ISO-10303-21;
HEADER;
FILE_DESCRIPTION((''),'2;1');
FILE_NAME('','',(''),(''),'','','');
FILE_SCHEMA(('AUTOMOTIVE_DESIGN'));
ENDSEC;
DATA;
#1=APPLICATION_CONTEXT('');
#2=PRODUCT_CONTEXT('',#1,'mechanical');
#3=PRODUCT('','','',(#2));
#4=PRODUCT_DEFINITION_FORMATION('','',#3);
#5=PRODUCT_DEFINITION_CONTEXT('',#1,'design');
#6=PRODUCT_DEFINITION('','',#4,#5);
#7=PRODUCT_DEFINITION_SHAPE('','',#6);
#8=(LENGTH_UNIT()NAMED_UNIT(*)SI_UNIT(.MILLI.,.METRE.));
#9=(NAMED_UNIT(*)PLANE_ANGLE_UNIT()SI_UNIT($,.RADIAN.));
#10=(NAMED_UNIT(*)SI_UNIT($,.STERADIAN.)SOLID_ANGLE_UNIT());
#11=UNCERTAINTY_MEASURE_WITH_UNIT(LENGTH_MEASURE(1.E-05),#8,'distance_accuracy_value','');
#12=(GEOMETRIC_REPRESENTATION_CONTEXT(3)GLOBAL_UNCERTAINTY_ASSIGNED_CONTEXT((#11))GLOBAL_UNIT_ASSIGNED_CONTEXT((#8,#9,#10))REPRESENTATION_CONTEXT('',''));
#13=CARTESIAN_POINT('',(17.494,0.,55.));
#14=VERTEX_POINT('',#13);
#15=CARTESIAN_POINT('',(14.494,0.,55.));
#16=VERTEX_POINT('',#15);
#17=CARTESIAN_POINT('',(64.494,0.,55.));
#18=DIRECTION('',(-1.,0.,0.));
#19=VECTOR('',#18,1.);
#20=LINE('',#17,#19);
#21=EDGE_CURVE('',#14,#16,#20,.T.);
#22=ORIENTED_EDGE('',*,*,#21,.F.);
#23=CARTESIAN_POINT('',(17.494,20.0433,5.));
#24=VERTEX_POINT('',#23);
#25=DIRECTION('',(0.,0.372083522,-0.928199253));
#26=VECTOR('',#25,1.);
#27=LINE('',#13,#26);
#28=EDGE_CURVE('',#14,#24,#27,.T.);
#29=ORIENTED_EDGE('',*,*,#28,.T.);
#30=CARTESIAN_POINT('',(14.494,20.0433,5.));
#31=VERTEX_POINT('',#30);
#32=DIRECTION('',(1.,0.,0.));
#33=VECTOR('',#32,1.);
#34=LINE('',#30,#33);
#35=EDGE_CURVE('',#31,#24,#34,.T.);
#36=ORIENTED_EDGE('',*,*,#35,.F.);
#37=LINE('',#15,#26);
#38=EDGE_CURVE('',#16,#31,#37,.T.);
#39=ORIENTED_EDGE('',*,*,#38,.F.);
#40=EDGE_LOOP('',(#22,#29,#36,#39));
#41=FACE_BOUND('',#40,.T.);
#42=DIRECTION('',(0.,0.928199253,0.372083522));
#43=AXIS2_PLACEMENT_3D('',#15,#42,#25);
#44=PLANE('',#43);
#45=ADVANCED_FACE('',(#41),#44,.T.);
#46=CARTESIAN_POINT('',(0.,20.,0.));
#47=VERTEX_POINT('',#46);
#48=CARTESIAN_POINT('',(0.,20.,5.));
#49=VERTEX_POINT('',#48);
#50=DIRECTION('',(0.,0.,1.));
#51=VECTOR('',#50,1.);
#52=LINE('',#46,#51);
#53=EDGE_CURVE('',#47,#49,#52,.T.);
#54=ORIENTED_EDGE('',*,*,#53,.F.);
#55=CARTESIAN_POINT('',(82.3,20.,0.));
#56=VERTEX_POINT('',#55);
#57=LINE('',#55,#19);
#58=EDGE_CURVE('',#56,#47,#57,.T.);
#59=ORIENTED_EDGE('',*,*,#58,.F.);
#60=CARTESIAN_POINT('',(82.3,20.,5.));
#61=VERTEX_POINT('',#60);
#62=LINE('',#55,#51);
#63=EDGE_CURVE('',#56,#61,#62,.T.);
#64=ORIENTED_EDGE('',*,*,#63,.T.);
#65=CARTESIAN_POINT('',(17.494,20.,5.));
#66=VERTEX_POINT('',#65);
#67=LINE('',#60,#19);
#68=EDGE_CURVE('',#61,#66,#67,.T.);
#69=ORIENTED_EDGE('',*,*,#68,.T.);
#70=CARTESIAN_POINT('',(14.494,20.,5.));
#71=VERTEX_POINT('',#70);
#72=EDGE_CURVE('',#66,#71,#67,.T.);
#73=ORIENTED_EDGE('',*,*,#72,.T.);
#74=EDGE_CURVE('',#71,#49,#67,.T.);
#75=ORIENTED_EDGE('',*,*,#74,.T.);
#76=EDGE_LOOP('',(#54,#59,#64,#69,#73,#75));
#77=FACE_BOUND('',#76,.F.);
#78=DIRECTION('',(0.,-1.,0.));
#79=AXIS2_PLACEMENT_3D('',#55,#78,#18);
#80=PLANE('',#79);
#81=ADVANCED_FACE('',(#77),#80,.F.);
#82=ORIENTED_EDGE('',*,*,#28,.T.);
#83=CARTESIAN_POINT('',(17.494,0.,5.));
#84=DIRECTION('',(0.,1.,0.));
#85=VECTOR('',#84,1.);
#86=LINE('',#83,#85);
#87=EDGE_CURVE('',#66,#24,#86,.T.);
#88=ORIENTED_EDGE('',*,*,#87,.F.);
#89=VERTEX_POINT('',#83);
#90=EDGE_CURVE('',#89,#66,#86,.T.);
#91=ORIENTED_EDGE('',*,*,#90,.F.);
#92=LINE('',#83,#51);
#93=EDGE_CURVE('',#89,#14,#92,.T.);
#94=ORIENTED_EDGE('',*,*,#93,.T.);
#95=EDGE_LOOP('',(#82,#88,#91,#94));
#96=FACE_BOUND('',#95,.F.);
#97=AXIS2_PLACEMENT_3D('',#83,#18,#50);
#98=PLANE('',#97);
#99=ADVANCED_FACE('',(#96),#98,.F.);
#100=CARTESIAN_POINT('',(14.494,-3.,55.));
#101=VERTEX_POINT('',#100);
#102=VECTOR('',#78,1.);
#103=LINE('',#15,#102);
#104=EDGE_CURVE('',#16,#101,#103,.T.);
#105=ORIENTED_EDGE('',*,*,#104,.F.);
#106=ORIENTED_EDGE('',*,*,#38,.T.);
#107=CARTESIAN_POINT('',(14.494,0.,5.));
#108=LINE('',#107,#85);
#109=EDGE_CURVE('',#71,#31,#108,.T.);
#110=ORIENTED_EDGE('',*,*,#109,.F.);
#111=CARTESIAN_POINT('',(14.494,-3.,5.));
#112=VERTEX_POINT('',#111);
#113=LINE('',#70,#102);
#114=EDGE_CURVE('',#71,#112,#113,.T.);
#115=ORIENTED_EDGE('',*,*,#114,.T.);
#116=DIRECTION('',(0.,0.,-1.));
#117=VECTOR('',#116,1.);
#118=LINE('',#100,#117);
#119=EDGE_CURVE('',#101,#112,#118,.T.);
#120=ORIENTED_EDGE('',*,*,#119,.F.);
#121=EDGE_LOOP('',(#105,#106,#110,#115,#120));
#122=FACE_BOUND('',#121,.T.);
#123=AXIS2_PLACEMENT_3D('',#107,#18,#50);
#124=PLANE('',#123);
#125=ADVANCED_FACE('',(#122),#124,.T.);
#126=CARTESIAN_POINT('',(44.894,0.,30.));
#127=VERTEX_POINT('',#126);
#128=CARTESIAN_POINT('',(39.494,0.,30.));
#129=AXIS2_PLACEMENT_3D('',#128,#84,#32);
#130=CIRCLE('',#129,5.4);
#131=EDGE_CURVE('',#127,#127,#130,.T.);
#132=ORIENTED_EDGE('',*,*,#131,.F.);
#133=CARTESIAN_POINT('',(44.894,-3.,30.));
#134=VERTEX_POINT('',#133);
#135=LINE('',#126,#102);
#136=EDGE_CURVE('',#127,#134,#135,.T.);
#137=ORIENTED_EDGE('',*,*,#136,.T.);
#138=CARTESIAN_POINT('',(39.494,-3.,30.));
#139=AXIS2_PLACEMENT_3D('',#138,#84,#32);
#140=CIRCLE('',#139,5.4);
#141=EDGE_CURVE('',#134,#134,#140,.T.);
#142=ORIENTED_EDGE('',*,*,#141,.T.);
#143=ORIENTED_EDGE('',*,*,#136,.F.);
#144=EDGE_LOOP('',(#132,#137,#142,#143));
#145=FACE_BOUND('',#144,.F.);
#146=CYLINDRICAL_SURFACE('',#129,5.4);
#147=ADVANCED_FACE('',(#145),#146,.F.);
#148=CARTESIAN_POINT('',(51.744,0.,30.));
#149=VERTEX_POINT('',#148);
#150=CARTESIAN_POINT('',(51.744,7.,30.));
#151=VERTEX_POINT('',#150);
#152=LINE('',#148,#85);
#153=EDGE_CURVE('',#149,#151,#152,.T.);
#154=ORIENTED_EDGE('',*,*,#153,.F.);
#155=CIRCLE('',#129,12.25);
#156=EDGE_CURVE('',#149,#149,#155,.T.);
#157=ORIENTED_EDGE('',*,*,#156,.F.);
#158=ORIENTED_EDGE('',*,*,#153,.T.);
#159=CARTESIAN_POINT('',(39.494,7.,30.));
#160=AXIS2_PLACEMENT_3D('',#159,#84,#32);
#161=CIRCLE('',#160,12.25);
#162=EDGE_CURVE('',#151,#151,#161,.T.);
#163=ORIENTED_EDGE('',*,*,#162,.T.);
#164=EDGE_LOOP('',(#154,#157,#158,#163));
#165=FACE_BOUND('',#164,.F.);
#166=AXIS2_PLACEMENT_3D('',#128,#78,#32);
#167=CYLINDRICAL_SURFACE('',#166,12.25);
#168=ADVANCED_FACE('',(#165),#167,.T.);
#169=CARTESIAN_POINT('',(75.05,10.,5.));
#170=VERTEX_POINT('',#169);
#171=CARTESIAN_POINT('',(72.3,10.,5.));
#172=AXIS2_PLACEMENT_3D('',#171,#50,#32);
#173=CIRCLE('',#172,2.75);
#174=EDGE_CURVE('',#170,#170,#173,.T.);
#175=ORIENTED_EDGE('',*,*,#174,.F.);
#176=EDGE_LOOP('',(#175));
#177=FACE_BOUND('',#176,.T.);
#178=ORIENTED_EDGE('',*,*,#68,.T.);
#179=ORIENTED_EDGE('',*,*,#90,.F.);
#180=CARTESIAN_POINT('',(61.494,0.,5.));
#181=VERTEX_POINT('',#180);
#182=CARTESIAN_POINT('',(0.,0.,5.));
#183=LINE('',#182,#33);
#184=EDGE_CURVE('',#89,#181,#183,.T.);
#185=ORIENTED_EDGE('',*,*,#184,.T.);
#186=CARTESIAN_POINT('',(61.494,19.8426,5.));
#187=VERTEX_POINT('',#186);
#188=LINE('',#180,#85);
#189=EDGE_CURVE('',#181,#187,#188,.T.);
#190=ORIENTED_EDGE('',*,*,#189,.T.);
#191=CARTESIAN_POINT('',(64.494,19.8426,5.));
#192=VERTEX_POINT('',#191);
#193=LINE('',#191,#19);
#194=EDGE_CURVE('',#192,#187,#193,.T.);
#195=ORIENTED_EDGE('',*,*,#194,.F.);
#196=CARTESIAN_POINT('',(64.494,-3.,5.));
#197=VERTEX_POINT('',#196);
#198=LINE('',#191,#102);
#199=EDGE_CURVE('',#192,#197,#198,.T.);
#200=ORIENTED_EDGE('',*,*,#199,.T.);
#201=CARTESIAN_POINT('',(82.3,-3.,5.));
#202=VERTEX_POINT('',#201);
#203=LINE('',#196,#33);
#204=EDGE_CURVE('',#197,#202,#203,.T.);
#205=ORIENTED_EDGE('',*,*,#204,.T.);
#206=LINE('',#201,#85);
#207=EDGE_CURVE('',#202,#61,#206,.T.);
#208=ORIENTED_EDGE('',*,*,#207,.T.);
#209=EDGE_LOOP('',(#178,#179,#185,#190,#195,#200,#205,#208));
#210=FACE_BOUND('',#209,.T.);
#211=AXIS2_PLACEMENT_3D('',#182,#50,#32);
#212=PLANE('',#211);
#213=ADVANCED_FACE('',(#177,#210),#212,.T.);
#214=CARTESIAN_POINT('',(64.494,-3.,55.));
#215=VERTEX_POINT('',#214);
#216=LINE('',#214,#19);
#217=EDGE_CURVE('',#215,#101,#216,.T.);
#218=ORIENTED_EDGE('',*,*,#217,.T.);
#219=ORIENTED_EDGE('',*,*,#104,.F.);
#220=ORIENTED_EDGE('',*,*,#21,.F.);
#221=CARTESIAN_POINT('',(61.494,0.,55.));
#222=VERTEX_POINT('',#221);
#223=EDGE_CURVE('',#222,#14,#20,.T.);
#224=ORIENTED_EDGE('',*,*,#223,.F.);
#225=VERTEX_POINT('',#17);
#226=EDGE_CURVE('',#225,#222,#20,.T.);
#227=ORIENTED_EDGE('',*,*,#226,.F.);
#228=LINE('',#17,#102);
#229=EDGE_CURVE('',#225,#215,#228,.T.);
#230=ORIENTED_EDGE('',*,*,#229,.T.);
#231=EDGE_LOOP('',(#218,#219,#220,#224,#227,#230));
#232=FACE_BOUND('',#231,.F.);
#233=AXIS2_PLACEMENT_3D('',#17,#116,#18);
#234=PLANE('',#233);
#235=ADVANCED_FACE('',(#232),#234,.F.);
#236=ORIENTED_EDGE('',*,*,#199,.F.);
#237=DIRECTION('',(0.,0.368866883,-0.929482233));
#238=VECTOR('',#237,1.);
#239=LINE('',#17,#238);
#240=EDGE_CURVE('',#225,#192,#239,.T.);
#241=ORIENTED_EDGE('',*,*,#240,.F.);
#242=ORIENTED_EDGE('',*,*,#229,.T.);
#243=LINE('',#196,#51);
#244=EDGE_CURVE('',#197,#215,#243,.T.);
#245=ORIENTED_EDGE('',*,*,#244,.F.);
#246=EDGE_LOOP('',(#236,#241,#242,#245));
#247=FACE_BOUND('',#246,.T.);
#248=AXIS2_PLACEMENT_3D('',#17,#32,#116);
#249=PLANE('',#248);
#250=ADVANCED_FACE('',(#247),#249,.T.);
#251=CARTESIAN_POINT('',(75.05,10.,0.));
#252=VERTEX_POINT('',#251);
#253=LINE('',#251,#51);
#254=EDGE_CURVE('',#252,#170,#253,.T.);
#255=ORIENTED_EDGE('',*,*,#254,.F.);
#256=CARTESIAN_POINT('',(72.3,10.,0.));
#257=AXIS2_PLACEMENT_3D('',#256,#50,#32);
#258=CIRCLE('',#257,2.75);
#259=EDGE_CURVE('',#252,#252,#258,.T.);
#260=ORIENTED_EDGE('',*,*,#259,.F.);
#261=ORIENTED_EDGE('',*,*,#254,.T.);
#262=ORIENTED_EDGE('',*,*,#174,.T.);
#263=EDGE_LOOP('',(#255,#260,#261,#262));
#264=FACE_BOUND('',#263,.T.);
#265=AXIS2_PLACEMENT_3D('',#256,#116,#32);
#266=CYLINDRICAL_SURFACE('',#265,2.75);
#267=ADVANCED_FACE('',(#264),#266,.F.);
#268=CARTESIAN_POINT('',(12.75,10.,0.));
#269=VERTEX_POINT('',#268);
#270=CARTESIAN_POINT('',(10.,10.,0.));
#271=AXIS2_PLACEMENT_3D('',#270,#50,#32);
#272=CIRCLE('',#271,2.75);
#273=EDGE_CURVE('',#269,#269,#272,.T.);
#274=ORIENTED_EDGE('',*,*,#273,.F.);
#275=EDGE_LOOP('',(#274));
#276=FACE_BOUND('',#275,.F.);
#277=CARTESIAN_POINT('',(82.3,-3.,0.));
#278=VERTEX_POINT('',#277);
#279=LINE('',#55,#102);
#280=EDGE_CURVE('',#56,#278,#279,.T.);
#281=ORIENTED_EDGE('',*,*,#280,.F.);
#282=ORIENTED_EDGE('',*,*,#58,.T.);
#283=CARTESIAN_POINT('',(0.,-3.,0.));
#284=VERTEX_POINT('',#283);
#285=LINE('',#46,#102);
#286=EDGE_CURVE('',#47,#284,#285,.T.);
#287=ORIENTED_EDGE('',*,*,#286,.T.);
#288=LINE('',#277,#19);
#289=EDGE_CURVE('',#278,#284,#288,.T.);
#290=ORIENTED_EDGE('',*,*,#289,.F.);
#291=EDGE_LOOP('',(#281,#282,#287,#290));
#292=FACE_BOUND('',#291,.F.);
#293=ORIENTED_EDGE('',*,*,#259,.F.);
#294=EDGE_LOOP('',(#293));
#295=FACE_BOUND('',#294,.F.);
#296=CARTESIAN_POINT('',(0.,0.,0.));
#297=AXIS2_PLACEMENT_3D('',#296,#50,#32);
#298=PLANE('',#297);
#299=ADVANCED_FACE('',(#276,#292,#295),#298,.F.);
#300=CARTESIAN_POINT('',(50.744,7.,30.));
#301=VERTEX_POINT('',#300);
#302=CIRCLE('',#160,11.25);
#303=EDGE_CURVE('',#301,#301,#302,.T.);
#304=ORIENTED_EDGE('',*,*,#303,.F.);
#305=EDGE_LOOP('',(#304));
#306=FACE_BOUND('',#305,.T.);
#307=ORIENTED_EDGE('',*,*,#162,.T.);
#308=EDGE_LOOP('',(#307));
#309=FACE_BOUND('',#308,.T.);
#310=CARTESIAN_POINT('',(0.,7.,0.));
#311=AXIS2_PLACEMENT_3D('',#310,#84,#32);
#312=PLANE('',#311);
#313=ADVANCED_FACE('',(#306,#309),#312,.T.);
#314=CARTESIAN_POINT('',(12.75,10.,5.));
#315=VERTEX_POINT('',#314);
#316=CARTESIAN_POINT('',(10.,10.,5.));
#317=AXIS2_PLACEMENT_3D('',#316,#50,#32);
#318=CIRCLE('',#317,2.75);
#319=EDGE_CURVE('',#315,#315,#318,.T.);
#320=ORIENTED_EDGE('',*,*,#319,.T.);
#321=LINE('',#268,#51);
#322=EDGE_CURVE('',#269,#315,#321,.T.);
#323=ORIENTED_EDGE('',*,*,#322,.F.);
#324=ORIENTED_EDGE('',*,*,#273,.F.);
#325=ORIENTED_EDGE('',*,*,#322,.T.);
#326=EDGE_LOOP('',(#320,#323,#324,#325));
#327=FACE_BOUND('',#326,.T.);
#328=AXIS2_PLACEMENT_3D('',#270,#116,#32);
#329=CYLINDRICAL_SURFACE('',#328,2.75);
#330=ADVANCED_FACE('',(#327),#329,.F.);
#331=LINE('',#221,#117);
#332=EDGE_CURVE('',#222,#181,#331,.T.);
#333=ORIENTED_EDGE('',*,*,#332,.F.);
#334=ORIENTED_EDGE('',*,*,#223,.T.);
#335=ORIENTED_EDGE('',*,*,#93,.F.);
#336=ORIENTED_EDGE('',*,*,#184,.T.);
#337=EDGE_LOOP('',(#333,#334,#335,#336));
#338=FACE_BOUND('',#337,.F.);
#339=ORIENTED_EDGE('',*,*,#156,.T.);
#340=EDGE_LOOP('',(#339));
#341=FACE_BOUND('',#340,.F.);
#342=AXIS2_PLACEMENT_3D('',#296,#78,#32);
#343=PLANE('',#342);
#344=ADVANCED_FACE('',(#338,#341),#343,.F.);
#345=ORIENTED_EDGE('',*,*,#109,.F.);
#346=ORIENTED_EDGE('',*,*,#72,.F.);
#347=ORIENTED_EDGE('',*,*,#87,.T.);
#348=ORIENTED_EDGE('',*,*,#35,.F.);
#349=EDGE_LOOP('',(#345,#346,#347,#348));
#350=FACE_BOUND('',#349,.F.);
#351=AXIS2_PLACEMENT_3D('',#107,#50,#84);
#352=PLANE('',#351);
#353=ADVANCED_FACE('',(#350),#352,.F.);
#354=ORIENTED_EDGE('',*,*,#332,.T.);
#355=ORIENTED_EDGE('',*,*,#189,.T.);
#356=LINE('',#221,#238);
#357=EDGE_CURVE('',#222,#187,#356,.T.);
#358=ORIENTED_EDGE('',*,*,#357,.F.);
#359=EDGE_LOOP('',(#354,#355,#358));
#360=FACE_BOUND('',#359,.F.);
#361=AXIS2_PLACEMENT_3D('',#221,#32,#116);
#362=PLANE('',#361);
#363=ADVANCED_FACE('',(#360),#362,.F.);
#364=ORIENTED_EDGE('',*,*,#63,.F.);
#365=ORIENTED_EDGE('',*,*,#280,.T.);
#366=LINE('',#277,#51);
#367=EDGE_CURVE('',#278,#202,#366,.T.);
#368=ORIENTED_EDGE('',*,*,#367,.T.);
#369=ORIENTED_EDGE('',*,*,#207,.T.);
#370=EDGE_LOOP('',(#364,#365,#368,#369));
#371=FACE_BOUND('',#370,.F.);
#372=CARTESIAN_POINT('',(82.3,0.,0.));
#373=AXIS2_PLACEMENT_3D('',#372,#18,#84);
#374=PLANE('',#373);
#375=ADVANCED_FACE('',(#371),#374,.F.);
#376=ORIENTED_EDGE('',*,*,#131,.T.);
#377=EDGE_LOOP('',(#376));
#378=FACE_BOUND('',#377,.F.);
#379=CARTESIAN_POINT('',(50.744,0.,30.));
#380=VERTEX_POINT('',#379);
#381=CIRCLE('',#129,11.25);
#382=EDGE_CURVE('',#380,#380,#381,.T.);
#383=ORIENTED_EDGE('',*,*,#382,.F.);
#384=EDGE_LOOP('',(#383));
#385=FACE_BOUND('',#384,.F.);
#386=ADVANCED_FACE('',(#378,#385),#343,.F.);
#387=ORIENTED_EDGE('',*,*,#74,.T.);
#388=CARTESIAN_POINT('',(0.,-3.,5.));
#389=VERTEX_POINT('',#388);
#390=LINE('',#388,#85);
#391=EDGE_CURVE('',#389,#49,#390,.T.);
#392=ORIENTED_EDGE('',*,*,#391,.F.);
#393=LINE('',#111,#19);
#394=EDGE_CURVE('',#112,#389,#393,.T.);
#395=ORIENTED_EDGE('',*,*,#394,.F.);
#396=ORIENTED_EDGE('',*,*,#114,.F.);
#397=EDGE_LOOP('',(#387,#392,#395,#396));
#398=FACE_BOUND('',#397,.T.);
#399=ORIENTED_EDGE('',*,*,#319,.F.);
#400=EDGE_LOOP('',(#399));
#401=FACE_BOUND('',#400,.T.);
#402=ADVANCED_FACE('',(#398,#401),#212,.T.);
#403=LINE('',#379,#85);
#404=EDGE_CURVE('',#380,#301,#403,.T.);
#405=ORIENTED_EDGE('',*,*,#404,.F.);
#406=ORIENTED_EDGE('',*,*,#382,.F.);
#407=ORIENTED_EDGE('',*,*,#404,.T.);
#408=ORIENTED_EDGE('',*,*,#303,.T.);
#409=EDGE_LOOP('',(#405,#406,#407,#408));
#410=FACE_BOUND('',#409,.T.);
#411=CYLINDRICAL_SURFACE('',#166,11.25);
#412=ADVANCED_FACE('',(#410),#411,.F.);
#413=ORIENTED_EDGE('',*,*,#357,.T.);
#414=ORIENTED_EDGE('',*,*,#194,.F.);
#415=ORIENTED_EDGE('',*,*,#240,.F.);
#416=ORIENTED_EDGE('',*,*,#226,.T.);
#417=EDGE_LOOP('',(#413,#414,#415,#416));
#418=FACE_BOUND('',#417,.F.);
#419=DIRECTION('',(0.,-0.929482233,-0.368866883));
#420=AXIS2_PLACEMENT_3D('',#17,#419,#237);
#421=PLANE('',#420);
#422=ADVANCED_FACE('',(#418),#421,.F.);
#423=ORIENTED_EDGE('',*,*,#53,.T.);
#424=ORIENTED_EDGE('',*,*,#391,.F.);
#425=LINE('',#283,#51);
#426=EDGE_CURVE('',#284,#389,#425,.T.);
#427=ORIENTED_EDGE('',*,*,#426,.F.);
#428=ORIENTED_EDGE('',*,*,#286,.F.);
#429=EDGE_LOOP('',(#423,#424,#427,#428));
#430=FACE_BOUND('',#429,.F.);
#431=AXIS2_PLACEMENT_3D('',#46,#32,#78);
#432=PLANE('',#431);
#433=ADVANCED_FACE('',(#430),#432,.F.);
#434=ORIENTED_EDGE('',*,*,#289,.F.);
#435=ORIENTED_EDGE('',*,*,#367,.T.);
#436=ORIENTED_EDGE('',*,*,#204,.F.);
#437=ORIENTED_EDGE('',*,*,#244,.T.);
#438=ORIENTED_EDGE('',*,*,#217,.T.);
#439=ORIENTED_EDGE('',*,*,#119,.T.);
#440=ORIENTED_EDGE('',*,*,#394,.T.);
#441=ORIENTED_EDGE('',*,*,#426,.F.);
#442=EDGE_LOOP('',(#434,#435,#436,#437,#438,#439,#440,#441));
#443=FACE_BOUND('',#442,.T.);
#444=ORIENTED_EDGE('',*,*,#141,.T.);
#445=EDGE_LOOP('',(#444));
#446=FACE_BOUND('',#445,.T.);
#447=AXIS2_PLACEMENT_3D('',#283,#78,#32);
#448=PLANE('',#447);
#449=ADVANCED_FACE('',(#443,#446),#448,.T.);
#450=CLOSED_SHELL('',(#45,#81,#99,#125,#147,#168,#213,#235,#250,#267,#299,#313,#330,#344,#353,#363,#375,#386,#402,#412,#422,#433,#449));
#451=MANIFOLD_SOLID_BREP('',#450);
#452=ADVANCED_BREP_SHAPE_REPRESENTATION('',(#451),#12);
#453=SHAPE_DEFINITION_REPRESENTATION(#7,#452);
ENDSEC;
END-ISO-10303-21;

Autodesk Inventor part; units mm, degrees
ref_plane "YZ Plane" through (0, 0, 0) normal (1, 0, 0) x (0, 1, 0)
ref_plane "XZ Plane" through (0, 0, 0) normal (0, 1, 0) x (-1, 0, 0)
ref_plane "XY Plane" through (0, 0, 0) normal (0, 0, 1) x (1, 0, 0)
sketch "Sketch6" plane through (0, 0, 0) normal (0, 0, 1) x (1, 0, 0)
  line L0 (0, 0) -> (82.3, 0)
  line L1 (82.3, 0) -> (82.3, 20)
  line L2 (82.3, 20) -> (0, 20)
  line L3 (0, 20) -> (0, 0)
  line L4 (0, 0) -> (10, 0) construction
  line L5 (10, 0) -> (10, 26.8607) construction
  line L6 (0, 10) -> (82.8633, 10) construction
  line L7 (82.3, 0) -> (72.3, 0) construction
  line L8 (72.3, 0) -> (72.3, 17.2228) construction
  circle A0 centre (10, 10) radius 2.75
  circle A1 centre (72.3, 10) radius 2.75
  dimension "d32" = 82.3
  dimension "d33" = 20
  dimension "d34" = 10
  dimension "d35" = 10
  dimension "d36" = 5.5
  dimension "d37" = 5.5
extrude "Extrusion5" add sketch "Sketch6" along normal blind 5
sketch "Sketch7" plane through (0, 0, 0) normal (0, -1, 0) x (1, 0, 0)
  line L0 (82.3, 0) -> (82.3, 5) projected
  line L1 (0, 0) -> (0, 5) projected
  line L2 (41.15, 21.713) -> (41.15, -8.4757)
  line L3 (64.494, 5) -> (64.494, 55)
  line L4 (64.494, 55) -> (14.494, 55)
  line L5 (14.494, 55) -> (14.494, 5)
  line L6 (14.494, 5) -> (0, 5)
  line L7 (64.494, 5) -> (82.3, 5)
  line L8 (82.3, 0) -> (0, 0)
  dimension "d40" = 50
  dimension "d41" = 50
extrude "Extrusion6" add sketch "Sketch7" along normal blind 3
sketch "Sketch8" plane through (64.494, 0, 55) normal (1, 0, 0) x (0, 0, -1)
  line L0 (0, 0) -> (50, 0) projected
  line L1 (0, 0) -> (50, 19.8426)
  line L2 (0, 0) -> (50, 0)
  line L3 (50, 0) -> (50, 19.8426)
  point P0 (55, 0)
extrude "Extrusion7" add sketch "Sketch8" against normal blind 3
sketch "Sketch9" plane through (14.494, 0, 5) normal (-1, 0, 0) x (0, 0, 1)
  line L0 (50, 0) -> (50, -3) projected
  line L1 (0, 0) -> (50, 0)
  line L2 (50, 0) -> (0, 20.0433)
  line L3 (0, 0) -> (0, 20.0433)
extrude "Extrusion8" add sketch "Sketch9" against normal blind 3
sketch "Sketch10" plane through (0, 0, 0) normal (0, 1, 0) x (1, 0, 0)
  line L0 (17.494, -5) -> (61.494, -55) construction
  line L1 (61.494, -5) -> (17.494, -55) construction
  circle A0 centre (39.494, -30) radius 11.25
  circle A1 centre (39.494, -30) radius 12.25
  point P0 (0, 0)
  dimension "d48" = 22.5
  dimension "d49" = 24.5
extrude "Extrusion9" add sketch "Sketch10" along normal blind 7
sketch "Sketch11" plane through (39.494, 0, 30) normal (0, 1, 0) x (1, 0, 0)
  circle A0 centre (0, 0) radius 11.25 projected
  circle A1 centre (0, 0) radius 5.4
  point P0 (-39.494, 30)
  dimension "d52" = 10.8
extrude "Extrusion10" cut sketch "Sketch11" against normal through all contours A1
properties part number "z leadscrew top mount" material "ABS Plastic"
